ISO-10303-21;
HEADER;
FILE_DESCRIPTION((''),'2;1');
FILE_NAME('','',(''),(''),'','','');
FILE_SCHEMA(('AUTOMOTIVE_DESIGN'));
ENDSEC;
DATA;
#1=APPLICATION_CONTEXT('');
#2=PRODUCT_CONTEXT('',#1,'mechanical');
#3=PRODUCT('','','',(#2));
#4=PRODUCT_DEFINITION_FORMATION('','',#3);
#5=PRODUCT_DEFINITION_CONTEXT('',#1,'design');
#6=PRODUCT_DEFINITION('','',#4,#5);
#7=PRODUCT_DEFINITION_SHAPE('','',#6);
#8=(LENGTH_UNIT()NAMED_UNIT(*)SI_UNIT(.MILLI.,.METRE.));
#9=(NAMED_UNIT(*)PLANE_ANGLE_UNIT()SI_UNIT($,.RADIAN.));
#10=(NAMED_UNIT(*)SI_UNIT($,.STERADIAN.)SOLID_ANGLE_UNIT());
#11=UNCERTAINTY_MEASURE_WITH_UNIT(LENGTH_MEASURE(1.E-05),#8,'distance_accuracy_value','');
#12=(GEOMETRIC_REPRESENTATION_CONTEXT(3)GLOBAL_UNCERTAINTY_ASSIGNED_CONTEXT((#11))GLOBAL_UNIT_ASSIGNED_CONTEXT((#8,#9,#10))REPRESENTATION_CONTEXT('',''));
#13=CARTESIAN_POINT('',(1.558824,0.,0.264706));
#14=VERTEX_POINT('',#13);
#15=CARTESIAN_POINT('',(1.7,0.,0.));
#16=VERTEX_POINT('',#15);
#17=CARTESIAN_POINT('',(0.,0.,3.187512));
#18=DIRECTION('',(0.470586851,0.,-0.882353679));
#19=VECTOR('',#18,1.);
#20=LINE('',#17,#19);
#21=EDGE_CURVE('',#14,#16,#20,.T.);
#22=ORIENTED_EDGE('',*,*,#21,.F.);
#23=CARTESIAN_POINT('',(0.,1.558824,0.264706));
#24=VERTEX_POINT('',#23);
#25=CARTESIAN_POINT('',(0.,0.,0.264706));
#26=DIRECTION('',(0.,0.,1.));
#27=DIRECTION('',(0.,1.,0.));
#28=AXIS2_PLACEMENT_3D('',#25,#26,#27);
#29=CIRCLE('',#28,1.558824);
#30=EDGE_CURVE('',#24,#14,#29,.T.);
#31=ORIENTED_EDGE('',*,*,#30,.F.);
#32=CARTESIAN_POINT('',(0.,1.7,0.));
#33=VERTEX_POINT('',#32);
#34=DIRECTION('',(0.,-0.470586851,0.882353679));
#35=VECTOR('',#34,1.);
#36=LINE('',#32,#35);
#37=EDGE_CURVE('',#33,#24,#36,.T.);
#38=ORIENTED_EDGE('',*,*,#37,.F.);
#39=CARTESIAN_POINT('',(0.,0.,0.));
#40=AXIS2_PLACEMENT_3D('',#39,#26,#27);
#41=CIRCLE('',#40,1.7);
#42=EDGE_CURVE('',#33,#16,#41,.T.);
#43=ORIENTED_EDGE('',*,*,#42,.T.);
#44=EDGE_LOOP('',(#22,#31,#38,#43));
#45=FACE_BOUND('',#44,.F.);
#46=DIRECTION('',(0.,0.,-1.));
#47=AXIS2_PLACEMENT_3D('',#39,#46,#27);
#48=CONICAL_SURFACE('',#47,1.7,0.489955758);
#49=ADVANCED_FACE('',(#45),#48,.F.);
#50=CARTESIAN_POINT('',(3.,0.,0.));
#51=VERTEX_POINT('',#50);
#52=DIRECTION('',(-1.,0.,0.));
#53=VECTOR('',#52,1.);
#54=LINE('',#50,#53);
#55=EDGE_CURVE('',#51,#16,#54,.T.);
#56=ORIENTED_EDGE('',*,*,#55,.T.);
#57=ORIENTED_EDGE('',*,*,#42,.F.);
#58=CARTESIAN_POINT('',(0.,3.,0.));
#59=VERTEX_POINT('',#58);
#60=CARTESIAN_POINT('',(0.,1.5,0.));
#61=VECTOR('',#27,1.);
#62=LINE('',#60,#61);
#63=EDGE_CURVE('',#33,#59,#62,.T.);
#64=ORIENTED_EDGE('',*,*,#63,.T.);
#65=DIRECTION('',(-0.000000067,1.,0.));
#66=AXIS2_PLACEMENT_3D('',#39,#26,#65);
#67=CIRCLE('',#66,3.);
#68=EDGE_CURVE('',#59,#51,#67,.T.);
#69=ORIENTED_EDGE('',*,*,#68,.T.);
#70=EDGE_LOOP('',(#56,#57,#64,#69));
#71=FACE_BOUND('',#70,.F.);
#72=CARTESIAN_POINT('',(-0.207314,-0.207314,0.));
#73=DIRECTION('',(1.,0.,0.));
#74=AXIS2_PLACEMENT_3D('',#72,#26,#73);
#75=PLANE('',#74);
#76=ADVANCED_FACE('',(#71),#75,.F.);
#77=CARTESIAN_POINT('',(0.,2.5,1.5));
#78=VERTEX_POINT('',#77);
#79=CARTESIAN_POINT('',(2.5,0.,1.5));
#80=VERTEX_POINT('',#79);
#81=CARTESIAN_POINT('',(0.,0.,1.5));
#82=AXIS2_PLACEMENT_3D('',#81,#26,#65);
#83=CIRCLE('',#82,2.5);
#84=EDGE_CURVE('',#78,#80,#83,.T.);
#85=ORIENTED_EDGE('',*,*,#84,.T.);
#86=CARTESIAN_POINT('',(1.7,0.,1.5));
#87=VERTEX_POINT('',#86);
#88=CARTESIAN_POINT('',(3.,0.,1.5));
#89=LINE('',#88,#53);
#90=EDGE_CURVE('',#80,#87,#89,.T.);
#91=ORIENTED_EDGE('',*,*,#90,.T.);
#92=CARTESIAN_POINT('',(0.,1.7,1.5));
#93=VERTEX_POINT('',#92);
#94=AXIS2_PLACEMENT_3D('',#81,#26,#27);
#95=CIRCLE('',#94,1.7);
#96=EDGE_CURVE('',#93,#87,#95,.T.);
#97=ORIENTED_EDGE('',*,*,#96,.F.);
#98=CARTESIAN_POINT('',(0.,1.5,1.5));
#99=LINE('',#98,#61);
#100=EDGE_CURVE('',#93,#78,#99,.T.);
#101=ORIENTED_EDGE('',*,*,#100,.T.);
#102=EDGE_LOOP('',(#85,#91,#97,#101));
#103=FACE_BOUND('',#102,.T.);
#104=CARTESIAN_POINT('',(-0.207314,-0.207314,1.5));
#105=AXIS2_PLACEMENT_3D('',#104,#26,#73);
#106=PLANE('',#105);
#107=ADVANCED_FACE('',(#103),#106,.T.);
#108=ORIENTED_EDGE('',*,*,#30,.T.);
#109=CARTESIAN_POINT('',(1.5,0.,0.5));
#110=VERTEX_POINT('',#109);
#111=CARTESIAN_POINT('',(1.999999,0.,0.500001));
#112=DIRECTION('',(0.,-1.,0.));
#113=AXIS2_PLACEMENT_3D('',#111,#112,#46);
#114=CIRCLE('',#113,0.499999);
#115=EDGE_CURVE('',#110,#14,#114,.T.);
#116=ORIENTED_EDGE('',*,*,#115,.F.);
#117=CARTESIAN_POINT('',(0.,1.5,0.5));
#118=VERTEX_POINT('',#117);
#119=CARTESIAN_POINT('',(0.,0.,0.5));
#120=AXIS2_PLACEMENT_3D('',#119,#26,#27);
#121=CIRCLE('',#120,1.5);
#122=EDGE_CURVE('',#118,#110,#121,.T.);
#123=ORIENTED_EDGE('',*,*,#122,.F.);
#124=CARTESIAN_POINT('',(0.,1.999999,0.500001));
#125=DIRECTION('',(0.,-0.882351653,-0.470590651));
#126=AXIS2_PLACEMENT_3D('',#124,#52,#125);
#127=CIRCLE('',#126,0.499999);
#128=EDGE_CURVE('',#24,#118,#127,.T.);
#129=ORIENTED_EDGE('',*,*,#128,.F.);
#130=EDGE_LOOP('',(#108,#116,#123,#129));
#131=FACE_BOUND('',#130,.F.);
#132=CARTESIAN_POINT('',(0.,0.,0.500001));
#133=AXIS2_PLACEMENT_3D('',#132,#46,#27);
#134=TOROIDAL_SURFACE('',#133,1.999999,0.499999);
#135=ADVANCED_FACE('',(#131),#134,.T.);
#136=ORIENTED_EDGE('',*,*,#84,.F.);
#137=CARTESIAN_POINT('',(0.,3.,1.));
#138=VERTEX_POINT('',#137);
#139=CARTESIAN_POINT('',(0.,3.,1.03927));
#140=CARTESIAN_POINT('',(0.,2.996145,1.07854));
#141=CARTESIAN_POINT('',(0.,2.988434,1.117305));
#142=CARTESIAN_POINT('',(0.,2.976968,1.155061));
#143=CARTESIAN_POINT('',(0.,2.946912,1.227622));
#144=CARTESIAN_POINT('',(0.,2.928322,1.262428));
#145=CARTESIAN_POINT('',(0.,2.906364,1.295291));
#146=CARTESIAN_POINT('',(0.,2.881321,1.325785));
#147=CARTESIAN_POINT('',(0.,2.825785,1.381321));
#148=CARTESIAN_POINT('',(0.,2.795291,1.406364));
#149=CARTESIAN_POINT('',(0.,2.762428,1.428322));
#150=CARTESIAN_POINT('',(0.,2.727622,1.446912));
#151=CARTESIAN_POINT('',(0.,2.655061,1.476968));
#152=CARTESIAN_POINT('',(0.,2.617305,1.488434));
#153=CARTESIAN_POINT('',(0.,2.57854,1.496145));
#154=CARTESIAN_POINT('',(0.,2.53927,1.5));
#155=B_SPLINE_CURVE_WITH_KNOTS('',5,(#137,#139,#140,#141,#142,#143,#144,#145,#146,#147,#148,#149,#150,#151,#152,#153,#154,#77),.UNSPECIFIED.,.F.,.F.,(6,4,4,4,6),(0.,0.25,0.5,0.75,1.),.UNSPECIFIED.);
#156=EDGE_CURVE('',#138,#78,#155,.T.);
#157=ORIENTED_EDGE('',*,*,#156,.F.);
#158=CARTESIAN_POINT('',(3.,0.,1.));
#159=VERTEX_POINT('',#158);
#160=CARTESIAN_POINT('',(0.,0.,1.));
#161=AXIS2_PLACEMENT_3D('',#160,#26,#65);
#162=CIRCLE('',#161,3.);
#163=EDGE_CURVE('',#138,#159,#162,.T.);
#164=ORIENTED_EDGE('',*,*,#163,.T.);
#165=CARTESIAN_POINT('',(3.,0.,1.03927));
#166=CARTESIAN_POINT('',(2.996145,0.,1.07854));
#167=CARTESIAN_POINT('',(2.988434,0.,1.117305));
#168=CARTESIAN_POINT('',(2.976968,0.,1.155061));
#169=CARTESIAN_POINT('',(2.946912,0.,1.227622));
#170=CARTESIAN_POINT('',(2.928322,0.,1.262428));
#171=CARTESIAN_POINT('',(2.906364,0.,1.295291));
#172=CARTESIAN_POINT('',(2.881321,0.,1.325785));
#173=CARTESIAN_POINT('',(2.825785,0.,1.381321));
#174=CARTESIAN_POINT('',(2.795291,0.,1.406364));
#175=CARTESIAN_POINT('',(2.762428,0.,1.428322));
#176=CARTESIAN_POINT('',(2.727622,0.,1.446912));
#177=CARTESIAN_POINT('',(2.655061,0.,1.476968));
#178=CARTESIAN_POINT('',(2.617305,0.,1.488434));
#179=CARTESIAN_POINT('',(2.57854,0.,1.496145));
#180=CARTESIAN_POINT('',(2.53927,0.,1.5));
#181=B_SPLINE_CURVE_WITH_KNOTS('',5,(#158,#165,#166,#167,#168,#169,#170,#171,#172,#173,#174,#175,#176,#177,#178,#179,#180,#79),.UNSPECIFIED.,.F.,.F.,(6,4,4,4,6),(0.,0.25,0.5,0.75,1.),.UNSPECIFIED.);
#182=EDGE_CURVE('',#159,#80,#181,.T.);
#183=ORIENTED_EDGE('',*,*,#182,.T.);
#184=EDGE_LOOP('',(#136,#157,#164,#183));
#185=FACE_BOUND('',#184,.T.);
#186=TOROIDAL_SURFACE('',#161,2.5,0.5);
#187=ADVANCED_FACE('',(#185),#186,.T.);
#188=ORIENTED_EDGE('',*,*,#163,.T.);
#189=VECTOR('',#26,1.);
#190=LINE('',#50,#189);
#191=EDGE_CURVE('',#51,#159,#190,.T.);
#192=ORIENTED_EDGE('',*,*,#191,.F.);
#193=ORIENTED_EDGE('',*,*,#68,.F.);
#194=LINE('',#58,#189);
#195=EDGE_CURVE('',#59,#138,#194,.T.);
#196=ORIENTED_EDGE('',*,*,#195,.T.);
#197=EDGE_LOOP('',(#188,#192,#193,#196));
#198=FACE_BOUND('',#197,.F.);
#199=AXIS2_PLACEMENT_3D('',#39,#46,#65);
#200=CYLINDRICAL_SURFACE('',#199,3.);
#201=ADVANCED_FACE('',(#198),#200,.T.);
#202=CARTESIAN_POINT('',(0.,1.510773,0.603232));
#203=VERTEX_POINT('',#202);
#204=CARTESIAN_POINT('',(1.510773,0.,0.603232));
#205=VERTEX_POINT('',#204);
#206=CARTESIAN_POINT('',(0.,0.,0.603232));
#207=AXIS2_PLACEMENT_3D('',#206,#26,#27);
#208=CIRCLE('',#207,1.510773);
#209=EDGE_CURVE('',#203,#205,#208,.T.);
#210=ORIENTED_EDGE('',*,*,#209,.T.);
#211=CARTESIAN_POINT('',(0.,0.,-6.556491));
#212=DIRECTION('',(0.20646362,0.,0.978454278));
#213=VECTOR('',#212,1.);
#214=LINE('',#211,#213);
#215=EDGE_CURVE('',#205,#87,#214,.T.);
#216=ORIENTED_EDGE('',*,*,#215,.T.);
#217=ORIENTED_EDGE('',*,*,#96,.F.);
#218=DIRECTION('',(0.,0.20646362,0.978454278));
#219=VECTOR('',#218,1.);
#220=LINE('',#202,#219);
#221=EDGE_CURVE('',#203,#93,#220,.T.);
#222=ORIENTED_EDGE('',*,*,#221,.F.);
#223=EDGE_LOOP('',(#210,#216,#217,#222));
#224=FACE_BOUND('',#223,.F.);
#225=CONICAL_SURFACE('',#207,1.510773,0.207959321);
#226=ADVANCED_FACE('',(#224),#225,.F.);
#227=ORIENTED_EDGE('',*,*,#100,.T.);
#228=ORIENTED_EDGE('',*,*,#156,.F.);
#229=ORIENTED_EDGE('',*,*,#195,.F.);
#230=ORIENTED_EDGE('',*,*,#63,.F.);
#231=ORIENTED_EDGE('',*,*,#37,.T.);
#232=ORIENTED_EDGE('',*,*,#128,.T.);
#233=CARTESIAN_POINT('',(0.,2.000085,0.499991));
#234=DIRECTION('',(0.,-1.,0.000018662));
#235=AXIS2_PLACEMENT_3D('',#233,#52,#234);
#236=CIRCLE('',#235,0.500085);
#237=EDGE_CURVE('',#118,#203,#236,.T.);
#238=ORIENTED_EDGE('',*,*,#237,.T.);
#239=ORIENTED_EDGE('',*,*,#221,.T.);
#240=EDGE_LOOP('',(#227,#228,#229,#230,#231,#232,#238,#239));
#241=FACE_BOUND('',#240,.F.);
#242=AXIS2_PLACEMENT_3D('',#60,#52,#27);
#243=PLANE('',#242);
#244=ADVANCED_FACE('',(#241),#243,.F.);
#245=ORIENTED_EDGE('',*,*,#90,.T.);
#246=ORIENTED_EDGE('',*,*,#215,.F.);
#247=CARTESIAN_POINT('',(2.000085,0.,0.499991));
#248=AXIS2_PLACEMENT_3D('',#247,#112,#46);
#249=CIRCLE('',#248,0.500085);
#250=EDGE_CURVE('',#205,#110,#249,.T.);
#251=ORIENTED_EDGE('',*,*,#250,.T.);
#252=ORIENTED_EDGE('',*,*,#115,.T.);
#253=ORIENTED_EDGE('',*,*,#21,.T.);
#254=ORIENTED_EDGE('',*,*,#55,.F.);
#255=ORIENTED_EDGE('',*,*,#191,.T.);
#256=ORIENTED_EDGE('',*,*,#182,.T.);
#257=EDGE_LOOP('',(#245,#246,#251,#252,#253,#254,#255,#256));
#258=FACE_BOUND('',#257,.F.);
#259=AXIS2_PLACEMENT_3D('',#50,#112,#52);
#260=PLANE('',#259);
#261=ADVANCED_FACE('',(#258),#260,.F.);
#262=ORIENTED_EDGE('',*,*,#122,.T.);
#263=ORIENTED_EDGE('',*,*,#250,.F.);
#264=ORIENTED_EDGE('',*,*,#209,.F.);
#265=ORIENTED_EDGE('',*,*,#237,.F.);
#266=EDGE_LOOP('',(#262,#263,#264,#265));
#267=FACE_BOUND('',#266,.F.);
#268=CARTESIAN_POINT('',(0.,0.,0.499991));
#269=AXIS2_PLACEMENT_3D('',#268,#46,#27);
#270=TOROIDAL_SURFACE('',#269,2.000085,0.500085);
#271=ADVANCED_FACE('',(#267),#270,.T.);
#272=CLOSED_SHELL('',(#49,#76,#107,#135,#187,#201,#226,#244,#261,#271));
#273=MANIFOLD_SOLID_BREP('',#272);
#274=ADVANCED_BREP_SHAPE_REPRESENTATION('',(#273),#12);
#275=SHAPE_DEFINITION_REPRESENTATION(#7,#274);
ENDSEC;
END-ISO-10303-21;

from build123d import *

# Parameters (mm, degrees)
F1_DEPTH = 1.5
F4_R     = 0.5


with BuildPart() as f1:
    # F0 (on Top) → F1 (new body)
    with BuildSketch(Plane.XY):
        with BuildLine():
            Line((0, 1.5), (0, 3))
            ThreePointArc((0, 3), (-2.12132, -2.12132), (3, 0))
            Line((3, 0), (1.5, 0))
            ThreePointArc((1.5, 0), (-1.06066, -1.06066), (0, 1.5))
        make_face()
    extrude(amount=F1_DEPTH)

    # F2 (on face) → F3 (revolve, cut)
    with BuildSketch(Plane.YZ):
        with BuildLine():
            ThreePointArc((1.558824, 0.264706), (1.514929, 0.378732), (1.5, 0.5))
            Line((1.5, 0.5), (1.5, 0))
            Line((1.5, 0), (1.7, 0))
            Line((1.7, 0), (1.558824, 0.264706))
        make_face()
        with BuildLine():
            Line((1.7, 1.5), (1.5, 1.5))
            Line((1.5, 1.5), (1.5, 0.5))
            ThreePointArc((1.5, 0.5), (1.502701, 0.551896), (1.510773, 0.603232))
            Line((1.510773, 0.603232), (1.7, 1.5))
        make_face()
    revolve(axis=Axis((0, 0, 0.75), (0, 0, 1)), mode=Mode.SUBTRACT)

    # F4
    f4_edges = [f1.edges().sort_by_distance(p)[0] for p in [
        (-2.12132, -2.12132, 1.5),
    ]]
    fillet(f4_edges, radius=F4_R)


solid = f1.part
